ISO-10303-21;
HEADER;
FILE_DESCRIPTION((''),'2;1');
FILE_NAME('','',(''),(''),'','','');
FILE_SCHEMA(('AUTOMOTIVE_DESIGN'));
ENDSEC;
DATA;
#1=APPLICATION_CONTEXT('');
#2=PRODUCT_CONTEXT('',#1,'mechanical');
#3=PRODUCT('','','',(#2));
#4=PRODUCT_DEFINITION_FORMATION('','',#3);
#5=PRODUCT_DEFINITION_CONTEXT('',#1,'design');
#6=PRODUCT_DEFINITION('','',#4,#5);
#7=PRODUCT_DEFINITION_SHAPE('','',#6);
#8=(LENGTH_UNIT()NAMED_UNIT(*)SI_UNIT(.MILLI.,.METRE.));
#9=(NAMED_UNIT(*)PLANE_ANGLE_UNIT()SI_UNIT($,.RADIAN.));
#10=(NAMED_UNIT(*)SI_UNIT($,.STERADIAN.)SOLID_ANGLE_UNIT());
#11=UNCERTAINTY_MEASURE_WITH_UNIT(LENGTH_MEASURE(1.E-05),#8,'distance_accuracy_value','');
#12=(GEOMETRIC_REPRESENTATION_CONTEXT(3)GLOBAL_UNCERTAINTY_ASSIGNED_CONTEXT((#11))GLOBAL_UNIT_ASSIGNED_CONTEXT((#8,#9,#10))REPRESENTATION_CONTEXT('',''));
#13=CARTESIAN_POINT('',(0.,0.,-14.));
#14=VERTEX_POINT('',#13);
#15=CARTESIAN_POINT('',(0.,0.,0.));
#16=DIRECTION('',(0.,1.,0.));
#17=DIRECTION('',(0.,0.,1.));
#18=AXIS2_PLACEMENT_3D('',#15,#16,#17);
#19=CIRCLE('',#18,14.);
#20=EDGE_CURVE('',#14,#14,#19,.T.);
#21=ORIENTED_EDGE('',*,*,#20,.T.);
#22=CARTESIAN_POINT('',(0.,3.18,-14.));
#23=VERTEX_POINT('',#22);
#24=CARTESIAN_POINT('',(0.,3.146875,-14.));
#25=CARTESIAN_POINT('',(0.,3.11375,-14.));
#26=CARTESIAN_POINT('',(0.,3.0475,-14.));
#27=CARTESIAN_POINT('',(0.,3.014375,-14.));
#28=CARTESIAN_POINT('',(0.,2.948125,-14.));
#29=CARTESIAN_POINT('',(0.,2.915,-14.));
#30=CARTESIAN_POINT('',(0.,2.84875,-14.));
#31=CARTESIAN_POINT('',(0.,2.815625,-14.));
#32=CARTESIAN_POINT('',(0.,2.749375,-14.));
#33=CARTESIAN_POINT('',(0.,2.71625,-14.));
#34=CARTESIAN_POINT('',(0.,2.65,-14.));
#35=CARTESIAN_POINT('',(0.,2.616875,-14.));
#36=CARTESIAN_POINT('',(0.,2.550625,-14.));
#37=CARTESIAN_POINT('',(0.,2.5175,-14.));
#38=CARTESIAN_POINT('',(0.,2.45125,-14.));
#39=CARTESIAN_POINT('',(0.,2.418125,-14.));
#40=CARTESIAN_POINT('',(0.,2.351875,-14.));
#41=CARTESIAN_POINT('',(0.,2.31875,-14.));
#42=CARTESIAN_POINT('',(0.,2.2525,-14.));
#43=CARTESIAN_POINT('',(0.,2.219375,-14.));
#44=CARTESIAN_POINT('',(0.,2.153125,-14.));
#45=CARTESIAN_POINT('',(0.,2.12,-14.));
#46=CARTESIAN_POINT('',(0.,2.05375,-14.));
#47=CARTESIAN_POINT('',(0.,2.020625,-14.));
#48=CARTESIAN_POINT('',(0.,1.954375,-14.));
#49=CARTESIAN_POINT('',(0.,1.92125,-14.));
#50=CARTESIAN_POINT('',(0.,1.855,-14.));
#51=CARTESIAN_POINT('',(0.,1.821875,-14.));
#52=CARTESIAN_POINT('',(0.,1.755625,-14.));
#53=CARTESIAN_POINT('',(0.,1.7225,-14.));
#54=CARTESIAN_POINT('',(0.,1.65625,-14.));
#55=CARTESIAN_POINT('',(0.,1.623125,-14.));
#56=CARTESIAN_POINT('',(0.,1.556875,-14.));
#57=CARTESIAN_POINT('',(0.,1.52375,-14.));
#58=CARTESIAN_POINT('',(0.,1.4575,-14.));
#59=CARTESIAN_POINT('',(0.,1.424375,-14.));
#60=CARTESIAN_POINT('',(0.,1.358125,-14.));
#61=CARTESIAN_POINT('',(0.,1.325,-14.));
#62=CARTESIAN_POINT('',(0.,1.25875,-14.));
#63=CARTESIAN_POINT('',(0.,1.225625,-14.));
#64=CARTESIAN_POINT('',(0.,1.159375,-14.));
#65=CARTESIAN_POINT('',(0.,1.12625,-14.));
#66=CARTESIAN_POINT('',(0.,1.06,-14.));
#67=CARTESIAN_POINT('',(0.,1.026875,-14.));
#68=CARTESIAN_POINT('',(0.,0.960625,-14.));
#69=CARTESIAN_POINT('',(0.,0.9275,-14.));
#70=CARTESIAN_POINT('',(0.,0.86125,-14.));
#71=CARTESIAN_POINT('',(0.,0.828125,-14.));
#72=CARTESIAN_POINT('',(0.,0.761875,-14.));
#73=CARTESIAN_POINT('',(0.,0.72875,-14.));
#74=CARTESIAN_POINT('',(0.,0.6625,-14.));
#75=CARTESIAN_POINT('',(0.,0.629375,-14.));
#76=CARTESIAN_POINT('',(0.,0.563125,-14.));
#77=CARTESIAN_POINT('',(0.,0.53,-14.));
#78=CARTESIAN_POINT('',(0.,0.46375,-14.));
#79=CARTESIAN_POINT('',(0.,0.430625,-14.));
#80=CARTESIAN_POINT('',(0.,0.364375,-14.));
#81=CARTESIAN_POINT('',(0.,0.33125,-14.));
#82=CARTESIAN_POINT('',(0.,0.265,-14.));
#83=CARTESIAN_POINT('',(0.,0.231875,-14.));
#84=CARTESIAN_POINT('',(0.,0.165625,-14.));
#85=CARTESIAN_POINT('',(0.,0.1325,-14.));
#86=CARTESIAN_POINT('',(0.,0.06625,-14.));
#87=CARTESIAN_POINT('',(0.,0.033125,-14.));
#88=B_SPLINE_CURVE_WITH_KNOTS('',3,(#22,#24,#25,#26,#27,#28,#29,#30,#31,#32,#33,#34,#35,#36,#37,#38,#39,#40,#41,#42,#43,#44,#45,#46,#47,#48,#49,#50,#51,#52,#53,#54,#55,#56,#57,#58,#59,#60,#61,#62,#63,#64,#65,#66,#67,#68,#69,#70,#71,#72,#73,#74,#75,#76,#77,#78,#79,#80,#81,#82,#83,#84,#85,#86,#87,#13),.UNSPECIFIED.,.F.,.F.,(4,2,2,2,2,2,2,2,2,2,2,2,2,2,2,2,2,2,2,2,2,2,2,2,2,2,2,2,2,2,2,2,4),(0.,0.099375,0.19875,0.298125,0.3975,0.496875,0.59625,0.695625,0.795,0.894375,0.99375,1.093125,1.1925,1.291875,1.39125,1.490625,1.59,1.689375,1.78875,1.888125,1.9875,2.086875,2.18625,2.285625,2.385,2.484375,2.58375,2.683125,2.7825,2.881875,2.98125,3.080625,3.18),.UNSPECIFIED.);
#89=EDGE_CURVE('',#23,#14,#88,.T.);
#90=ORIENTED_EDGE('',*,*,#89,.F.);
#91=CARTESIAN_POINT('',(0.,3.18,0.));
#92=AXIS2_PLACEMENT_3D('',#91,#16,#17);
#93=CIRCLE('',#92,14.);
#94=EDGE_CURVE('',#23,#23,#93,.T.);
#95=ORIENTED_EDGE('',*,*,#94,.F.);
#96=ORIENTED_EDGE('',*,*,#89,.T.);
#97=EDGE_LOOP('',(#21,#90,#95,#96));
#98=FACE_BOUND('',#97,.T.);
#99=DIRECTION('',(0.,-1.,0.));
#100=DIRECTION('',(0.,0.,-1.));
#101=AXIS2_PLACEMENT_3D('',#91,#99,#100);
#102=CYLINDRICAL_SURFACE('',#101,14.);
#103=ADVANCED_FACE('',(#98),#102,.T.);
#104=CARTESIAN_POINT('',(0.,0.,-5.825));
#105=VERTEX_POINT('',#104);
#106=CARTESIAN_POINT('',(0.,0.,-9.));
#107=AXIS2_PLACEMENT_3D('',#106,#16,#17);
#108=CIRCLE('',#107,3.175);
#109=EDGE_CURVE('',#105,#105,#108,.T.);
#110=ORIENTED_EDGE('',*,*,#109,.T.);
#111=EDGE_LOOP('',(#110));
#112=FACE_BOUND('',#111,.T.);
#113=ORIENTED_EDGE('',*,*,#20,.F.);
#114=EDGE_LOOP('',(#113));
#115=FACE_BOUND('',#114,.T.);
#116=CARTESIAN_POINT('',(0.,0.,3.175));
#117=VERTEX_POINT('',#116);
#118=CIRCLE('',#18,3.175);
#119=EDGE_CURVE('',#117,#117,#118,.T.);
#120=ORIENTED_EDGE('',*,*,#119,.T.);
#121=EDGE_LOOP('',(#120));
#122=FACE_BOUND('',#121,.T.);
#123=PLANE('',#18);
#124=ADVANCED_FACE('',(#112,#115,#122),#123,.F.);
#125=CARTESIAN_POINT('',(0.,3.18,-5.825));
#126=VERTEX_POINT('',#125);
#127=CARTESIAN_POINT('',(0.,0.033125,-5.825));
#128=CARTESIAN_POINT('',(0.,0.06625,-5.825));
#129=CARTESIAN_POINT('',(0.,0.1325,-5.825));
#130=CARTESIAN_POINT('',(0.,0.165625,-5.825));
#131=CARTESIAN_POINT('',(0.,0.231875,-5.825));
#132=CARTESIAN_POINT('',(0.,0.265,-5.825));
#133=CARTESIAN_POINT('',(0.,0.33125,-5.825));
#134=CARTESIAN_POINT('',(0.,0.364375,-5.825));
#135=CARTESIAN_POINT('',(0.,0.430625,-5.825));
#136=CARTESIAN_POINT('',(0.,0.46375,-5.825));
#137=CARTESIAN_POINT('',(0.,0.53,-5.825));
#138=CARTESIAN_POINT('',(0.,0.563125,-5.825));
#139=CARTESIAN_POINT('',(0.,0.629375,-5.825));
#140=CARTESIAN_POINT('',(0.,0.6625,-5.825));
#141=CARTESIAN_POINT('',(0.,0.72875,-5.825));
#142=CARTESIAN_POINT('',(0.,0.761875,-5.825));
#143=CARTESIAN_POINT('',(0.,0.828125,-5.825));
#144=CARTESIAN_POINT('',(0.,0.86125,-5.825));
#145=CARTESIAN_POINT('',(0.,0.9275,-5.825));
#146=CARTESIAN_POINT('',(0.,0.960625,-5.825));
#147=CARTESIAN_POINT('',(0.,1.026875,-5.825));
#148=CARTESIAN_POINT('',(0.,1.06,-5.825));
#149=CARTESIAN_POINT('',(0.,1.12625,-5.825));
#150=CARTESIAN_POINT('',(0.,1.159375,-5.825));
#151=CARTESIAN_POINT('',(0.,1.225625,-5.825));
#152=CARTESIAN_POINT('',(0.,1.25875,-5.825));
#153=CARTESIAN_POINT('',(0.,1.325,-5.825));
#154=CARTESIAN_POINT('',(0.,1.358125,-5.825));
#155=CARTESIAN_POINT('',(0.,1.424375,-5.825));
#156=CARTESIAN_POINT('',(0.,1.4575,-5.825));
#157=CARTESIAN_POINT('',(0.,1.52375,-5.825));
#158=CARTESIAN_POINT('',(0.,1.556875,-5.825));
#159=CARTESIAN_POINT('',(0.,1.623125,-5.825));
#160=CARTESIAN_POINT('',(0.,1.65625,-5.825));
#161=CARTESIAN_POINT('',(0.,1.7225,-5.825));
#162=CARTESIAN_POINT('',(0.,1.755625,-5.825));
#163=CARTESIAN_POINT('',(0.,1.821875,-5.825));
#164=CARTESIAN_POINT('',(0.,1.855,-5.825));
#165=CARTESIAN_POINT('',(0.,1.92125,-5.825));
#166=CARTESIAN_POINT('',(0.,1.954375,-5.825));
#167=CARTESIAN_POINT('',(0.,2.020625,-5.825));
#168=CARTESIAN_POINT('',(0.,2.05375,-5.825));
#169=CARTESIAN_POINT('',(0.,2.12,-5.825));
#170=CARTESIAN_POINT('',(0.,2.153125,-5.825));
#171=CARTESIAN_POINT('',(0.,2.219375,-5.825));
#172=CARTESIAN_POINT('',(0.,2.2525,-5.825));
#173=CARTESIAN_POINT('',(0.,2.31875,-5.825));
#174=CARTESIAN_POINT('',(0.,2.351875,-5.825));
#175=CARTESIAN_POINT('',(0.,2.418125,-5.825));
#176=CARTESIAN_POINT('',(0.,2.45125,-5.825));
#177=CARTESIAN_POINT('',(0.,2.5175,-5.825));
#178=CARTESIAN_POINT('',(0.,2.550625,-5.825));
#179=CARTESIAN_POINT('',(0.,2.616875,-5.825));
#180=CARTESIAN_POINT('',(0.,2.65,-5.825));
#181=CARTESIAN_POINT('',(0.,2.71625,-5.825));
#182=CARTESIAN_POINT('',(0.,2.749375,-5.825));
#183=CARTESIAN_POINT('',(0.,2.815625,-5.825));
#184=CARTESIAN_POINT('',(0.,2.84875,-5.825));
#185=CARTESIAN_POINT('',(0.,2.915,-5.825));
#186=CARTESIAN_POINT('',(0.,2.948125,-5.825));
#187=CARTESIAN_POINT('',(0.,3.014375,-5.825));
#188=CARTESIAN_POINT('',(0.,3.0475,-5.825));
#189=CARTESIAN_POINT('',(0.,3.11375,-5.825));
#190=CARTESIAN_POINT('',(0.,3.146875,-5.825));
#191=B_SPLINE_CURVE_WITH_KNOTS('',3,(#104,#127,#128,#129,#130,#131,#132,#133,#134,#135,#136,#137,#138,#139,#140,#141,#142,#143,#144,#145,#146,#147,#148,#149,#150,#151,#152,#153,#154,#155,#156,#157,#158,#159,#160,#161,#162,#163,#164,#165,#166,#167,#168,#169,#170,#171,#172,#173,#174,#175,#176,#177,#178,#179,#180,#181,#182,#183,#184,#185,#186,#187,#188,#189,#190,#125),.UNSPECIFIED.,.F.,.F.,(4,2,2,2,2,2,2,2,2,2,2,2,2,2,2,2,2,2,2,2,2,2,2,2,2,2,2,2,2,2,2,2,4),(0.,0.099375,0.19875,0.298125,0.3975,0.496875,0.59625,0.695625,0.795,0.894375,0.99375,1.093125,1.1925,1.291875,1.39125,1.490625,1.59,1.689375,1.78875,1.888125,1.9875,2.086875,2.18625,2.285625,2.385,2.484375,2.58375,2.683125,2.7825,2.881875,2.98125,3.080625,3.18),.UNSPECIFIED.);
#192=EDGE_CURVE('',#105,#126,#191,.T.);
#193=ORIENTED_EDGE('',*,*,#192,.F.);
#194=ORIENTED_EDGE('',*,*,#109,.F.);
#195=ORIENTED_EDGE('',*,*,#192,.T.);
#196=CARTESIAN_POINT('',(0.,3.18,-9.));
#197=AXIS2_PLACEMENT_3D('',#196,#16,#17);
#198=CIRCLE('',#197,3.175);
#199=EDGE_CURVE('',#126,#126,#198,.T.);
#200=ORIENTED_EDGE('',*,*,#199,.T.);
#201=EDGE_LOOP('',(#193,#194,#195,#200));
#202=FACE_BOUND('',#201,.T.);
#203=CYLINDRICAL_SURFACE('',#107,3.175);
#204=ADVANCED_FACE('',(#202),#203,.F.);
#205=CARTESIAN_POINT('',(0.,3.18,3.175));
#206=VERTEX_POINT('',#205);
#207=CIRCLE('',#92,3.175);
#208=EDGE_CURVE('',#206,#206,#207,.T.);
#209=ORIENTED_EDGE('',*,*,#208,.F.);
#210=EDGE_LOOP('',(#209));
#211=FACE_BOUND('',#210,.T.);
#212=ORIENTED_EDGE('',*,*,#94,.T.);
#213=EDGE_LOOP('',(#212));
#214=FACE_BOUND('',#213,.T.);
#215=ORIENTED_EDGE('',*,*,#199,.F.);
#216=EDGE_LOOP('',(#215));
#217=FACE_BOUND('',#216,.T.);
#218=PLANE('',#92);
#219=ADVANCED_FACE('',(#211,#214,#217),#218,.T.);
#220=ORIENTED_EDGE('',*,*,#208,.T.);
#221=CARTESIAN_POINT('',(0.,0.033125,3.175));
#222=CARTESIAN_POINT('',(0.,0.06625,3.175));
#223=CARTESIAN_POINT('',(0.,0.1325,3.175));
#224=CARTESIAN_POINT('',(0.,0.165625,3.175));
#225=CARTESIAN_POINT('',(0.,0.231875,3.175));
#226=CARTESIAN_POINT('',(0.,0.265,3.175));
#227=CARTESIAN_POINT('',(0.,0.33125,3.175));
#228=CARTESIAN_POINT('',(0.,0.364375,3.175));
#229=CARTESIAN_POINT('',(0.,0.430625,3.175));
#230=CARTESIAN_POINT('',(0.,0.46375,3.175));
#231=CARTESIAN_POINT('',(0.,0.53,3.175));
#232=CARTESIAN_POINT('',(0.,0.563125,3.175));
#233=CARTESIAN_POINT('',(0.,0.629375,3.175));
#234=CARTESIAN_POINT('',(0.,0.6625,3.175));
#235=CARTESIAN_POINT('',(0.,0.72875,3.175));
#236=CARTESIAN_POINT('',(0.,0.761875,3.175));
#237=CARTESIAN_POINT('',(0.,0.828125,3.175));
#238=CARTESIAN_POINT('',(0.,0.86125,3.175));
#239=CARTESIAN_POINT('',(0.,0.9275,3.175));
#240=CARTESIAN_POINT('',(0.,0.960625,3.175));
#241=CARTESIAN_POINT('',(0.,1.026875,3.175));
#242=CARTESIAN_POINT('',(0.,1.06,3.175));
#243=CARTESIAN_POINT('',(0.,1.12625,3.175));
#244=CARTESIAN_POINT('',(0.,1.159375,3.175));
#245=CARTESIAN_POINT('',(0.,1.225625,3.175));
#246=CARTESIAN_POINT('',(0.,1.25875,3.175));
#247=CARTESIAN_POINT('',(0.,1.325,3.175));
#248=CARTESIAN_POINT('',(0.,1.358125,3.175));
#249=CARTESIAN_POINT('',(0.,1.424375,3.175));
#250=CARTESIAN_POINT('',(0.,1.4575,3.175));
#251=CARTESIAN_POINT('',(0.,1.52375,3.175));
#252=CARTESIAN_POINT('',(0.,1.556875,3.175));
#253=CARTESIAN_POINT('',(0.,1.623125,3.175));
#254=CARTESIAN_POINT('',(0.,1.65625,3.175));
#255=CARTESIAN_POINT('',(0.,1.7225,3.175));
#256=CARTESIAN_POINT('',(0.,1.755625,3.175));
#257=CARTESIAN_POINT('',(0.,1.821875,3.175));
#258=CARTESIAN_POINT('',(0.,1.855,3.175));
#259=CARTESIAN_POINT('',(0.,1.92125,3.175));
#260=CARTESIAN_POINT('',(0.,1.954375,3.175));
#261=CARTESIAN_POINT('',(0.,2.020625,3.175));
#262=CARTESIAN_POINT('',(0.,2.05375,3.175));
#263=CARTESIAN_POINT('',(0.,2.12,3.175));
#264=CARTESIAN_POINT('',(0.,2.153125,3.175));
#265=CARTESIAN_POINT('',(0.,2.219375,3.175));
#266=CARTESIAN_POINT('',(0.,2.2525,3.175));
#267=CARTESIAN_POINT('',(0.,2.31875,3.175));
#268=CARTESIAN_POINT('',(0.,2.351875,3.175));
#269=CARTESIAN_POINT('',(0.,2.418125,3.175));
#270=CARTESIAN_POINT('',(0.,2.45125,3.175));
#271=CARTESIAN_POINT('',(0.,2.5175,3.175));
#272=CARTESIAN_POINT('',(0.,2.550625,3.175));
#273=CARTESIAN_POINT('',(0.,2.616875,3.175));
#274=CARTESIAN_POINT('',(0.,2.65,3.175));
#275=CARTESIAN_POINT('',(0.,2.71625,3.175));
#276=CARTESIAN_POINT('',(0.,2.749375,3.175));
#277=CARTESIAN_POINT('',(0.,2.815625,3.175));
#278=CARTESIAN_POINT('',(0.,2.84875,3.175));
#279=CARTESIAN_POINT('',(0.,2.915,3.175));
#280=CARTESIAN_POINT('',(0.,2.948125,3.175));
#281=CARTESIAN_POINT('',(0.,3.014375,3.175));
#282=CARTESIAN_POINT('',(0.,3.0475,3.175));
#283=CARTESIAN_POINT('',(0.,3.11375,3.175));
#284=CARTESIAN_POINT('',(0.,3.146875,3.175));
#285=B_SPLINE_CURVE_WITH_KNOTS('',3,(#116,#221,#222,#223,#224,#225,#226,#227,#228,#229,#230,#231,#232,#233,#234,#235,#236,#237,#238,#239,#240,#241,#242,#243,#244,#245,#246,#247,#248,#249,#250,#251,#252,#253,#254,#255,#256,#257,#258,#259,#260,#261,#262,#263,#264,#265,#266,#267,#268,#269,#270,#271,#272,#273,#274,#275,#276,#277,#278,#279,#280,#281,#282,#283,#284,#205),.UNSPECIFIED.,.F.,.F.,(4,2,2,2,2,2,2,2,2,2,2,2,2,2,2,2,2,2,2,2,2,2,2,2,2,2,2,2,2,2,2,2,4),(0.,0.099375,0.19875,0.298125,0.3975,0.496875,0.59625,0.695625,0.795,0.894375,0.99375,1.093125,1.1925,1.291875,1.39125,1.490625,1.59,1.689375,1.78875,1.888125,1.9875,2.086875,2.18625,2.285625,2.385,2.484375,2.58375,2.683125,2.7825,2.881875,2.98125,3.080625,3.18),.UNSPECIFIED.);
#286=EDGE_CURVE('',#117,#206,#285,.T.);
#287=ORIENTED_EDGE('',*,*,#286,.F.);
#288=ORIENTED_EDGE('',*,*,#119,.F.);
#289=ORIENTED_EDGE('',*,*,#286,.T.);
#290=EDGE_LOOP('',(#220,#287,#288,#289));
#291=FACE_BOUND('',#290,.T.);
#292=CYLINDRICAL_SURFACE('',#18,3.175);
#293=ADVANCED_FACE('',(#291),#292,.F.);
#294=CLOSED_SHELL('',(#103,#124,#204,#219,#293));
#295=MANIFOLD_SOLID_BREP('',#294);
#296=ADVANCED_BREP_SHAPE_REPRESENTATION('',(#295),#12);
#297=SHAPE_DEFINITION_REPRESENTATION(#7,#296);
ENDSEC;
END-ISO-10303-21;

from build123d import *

# Parameters (mm, degrees)
SKETCH1_R           = 14
BOSS_EXTRUDE1_DEPTH = 3.18
SKETCH2_R           = 3.175
CUT_EXTRUDE1_DEPTH  = 21.052740461
SKETCH3_R           = 3.175
CUT_EXTRUDE2_DEPTH  = 21.052740461


with BuildPart() as part:
    # Sketch1 → Boss-Extrude1 (new body)
    with BuildSketch(Plane(origin=(0, 0, 0), x_dir=(1, 0, 0), z_dir=(0, 1, 0))):
        with Locations(Location((0, 0, 0), (0, 0, 90))):
            Circle(SKETCH1_R)
    extrude(amount=BOSS_EXTRUDE1_DEPTH)

    # Sketch2 → Cut-Extrude1 (cut, through all)
    with BuildSketch(Plane(origin=(0, 3.18, 0), x_dir=(1, 0, 0), z_dir=(0, 1, 0))):
        with Locations(Location((0, 0, 0), (0, 0, 270))):
            Circle(SKETCH2_R)
    extrude(amount=-CUT_EXTRUDE1_DEPTH, mode=Mode.SUBTRACT)

    # Sketch3 → Cut-Extrude2 (cut, through all)
    with BuildSketch(Plane(origin=(0, 3.18, 0), x_dir=(1, 0, 0), z_dir=(0, 1, 0))):
        with Locations(Location((0, 9, 0), (0, 0, 270))):
            Circle(SKETCH3_R)
    extrude(amount=-CUT_EXTRUDE2_DEPTH, mode=Mode.SUBTRACT)


solid = part.part
